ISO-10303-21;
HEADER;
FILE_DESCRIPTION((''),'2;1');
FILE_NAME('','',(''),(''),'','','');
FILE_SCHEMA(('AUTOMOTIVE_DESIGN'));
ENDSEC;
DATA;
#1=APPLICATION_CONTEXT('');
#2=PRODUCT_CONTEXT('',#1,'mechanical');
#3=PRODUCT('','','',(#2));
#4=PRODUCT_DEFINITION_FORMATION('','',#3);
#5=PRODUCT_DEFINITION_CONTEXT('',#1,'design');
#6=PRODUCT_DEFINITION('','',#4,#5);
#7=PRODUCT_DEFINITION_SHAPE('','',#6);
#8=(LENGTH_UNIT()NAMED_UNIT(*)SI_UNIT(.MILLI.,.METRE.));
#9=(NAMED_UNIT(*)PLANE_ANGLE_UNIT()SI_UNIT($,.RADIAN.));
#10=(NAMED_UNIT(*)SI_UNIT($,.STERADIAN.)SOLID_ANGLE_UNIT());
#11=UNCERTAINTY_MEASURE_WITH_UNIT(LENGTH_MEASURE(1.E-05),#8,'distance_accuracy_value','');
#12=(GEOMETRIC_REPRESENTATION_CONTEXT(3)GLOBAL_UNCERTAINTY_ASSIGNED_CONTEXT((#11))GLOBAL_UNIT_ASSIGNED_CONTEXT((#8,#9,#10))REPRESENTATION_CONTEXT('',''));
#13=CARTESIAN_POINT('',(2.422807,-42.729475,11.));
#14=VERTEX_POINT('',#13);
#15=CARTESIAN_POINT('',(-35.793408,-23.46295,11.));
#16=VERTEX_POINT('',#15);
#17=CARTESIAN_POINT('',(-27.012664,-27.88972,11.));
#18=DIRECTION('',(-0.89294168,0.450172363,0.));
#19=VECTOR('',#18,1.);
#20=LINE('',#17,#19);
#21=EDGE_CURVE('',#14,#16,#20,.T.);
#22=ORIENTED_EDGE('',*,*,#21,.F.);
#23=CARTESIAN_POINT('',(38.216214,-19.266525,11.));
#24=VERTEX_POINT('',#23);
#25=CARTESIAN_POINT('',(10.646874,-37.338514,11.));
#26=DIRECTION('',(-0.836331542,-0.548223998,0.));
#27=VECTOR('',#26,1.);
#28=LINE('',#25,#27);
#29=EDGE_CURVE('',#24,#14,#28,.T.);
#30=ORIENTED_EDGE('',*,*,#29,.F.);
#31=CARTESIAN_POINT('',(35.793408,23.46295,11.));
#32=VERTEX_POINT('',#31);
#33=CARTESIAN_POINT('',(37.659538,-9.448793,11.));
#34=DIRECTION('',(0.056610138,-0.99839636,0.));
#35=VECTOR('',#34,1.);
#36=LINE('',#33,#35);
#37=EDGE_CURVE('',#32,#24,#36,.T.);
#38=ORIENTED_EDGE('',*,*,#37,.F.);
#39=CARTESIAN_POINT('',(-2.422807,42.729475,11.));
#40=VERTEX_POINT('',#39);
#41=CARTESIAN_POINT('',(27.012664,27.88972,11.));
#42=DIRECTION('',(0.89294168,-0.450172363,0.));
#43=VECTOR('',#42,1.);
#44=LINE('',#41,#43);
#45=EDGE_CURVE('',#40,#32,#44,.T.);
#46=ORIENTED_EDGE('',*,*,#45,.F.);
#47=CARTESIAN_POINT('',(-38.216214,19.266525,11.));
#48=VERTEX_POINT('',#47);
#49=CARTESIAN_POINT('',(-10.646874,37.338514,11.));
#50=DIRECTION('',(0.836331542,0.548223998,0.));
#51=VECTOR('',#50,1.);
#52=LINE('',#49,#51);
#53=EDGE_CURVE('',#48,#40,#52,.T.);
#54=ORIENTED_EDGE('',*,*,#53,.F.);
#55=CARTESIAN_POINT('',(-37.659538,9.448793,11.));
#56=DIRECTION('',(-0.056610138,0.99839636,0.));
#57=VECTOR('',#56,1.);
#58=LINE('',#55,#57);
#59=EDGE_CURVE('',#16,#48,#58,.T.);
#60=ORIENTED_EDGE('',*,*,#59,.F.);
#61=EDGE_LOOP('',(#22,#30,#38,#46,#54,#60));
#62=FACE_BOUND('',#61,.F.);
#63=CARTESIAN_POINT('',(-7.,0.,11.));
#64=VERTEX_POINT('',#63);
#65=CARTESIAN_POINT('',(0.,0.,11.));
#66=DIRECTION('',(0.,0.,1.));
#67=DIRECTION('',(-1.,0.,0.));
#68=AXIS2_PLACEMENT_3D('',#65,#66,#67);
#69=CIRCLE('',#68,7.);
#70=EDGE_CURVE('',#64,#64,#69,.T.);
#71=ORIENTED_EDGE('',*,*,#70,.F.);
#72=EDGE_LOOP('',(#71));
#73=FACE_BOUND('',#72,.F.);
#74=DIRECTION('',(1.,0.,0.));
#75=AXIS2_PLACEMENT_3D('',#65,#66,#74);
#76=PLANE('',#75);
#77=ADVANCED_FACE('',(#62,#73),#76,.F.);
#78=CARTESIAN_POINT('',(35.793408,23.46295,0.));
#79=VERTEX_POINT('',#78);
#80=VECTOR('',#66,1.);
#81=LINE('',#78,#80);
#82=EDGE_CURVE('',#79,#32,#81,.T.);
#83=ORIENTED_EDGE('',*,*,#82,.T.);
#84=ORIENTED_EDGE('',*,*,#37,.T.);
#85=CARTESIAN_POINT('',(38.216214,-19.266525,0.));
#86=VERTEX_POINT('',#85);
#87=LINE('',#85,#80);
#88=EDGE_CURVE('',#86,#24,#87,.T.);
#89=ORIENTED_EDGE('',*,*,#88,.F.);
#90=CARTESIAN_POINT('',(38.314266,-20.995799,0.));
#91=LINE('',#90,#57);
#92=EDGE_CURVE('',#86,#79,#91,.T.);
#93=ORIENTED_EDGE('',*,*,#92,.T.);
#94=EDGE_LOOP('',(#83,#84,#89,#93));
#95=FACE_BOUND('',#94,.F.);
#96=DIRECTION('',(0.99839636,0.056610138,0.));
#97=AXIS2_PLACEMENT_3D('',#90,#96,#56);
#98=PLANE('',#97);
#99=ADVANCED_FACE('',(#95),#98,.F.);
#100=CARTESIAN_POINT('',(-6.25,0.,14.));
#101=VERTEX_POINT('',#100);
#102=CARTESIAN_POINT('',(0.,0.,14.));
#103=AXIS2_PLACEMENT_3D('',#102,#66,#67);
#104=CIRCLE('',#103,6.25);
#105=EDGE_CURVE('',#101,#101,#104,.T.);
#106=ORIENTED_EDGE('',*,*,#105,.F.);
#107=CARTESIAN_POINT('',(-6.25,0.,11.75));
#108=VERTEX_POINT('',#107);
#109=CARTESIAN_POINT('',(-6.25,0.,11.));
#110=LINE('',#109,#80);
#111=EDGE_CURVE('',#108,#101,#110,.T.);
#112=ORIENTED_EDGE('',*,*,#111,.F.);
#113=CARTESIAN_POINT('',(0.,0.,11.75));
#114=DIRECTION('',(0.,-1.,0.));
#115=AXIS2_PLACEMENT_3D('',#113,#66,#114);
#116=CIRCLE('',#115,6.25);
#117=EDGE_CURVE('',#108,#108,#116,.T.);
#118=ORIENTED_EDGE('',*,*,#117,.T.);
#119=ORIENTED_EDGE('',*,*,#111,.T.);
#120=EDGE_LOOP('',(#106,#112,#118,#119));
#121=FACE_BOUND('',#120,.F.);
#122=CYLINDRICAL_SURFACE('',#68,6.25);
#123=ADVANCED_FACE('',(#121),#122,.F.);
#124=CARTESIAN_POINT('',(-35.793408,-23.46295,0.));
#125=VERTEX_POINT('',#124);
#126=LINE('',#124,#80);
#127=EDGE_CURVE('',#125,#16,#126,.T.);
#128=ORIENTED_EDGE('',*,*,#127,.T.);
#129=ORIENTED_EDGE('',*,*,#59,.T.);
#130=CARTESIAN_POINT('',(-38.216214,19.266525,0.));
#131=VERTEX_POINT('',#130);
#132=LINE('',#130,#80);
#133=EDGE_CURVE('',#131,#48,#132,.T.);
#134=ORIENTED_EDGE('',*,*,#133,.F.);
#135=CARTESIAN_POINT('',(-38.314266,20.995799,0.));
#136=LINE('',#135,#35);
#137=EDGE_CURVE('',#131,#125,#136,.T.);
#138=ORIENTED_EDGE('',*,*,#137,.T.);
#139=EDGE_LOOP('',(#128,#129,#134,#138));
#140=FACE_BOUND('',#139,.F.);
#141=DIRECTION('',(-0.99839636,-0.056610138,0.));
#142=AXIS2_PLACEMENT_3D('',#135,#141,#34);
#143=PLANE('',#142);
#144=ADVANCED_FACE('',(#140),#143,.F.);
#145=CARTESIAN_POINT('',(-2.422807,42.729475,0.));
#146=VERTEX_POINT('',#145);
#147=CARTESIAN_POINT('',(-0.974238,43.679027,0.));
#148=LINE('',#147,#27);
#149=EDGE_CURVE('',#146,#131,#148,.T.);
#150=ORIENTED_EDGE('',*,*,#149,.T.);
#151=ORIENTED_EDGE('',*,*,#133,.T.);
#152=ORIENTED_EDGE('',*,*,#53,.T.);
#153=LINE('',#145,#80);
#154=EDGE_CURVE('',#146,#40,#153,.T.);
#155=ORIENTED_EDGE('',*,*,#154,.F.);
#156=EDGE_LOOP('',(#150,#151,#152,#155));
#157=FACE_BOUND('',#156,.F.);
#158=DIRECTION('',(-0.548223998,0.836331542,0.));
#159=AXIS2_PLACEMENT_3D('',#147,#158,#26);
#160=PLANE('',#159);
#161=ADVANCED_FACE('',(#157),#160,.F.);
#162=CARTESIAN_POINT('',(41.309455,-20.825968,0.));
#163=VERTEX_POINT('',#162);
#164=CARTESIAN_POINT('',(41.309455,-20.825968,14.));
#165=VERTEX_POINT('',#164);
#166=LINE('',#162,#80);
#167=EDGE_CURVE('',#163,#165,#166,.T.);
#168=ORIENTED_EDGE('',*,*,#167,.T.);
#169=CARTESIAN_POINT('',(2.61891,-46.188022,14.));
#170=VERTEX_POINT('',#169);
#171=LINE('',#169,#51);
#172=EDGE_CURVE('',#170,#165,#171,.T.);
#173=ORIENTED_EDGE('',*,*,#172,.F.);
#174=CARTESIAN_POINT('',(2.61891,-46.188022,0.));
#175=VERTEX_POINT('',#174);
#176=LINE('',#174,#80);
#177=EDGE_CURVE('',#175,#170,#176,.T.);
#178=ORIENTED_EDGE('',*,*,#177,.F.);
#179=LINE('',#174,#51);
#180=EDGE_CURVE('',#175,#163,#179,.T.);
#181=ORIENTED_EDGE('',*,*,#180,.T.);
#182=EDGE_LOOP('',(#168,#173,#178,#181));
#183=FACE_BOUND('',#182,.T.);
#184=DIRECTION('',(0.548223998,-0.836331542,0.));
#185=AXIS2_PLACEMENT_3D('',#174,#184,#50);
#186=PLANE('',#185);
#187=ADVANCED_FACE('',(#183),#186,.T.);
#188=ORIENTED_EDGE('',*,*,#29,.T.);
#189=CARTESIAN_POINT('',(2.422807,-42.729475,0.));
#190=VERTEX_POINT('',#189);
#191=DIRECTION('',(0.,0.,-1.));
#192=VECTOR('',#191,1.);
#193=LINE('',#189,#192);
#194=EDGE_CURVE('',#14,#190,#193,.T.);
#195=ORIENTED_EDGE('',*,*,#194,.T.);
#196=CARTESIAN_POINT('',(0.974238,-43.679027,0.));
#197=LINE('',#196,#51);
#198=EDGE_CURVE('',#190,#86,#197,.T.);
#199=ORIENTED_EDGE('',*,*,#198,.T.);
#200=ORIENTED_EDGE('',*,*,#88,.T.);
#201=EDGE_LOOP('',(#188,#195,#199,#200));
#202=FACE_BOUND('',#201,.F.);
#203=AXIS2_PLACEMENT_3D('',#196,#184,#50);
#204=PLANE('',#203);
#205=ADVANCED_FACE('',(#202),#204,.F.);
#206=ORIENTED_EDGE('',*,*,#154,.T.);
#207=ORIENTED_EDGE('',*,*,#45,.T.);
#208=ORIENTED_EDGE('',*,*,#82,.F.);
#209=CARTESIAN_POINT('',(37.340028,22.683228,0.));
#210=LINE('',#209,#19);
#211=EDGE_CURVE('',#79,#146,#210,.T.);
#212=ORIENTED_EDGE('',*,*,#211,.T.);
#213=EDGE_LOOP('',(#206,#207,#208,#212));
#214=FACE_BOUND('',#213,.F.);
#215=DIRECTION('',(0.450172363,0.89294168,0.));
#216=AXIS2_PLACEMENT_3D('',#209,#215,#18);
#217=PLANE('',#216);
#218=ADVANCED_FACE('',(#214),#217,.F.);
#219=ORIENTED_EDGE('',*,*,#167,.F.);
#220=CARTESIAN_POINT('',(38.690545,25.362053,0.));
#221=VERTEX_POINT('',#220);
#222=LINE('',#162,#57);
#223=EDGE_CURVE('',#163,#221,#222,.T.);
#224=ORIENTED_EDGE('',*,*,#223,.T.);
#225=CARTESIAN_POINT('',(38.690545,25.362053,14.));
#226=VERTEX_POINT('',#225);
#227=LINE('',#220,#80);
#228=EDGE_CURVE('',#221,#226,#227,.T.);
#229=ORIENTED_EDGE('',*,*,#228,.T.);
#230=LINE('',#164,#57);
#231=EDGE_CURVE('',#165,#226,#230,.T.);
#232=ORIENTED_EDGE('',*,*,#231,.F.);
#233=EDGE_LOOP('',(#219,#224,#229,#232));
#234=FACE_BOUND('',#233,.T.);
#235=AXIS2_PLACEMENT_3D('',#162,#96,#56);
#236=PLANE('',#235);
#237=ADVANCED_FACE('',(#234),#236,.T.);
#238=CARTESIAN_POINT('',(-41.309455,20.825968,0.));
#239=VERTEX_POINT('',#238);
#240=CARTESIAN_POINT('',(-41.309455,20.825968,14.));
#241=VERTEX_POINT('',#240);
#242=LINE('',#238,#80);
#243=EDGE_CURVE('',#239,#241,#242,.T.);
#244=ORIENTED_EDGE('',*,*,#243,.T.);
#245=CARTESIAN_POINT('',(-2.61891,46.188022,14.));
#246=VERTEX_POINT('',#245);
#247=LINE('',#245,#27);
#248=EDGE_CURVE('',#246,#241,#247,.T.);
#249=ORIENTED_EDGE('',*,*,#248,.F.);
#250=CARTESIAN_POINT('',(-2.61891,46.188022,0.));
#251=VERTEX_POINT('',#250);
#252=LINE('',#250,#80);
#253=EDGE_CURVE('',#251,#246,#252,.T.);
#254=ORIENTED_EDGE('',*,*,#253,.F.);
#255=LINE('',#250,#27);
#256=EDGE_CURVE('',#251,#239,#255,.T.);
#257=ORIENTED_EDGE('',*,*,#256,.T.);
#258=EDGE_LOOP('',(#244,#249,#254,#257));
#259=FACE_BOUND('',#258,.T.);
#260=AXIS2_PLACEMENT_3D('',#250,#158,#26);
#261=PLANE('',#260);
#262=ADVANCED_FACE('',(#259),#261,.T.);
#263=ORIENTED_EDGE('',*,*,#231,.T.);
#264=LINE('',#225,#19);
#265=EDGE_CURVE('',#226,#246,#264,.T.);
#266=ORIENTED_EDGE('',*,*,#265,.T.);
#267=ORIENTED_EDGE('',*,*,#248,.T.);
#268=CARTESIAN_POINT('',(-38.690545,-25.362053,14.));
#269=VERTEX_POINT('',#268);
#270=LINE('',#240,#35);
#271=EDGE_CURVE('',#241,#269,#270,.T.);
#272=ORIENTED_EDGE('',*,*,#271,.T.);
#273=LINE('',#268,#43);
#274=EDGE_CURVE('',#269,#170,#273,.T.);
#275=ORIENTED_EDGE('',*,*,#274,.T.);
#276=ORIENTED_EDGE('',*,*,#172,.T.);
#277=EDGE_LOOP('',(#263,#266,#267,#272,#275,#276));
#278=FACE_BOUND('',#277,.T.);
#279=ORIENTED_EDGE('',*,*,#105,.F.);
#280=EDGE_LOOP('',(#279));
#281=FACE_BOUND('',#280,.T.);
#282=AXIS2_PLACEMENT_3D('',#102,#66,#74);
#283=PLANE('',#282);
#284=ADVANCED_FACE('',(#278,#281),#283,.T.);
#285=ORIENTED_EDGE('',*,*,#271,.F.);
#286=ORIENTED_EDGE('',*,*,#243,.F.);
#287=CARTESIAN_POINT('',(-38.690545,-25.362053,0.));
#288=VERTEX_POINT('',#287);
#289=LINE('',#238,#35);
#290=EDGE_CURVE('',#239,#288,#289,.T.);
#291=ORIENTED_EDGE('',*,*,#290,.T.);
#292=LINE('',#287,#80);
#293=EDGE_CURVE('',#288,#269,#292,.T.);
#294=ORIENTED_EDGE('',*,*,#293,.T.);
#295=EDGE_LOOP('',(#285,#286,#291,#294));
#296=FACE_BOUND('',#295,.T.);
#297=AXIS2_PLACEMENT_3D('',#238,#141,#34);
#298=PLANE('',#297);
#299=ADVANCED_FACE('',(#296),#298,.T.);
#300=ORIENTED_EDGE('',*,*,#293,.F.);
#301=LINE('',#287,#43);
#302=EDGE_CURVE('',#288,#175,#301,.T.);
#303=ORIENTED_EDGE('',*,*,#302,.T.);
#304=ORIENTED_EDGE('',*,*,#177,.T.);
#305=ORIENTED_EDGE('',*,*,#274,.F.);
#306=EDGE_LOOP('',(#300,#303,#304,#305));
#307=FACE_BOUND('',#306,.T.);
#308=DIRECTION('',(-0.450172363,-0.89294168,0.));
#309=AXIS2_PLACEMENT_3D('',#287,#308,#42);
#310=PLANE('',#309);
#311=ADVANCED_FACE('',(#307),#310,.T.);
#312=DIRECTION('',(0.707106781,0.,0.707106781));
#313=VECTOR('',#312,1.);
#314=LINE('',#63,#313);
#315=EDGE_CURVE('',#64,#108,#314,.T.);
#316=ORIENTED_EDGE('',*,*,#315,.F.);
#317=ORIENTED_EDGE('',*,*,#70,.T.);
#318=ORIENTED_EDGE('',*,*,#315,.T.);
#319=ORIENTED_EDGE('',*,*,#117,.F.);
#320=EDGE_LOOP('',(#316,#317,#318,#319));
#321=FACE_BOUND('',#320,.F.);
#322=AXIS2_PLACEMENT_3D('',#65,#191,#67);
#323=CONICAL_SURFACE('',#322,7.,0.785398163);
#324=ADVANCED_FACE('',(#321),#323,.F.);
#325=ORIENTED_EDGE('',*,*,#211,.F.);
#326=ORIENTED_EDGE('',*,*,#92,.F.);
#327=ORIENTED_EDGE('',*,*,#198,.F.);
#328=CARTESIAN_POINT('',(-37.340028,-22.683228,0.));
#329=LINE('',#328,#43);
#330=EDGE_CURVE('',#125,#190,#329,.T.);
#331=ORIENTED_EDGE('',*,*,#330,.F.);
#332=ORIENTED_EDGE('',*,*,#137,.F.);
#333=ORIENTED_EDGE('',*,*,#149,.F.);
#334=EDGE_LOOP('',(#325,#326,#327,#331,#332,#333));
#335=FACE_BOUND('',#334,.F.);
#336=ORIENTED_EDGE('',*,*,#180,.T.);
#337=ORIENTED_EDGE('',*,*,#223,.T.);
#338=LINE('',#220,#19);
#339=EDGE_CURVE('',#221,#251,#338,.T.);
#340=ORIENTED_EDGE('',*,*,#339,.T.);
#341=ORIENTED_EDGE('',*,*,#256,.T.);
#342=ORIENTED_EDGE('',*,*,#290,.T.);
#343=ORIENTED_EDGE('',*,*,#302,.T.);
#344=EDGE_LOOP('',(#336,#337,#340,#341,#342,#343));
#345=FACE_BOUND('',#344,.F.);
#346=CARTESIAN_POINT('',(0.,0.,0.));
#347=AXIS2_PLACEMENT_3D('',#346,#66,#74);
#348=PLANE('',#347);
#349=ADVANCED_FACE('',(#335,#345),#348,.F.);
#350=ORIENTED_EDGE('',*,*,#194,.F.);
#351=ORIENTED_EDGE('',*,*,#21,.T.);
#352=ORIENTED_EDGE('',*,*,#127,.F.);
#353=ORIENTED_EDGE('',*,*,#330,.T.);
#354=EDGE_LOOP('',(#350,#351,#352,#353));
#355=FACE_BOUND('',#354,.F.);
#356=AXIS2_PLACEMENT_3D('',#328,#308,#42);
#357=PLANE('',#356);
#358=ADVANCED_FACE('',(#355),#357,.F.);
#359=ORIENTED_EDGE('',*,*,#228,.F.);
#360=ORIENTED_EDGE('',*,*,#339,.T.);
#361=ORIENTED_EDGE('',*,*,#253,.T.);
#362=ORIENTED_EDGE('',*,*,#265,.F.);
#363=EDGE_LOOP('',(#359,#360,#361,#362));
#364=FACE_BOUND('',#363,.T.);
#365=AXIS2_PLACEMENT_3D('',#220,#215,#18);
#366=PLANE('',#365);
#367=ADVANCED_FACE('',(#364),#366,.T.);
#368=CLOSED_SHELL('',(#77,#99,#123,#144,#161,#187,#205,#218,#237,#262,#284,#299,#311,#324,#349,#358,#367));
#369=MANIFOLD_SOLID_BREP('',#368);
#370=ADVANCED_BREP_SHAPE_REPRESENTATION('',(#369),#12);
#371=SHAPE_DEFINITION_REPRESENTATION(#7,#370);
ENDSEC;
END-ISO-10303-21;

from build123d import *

# Parameters (mm, degrees)
F4_T           = -3
F5_D           = 12.5
F5_DEPTH       = 5
F5_START       = 11
F5_CSINK_D     = 14
F5_CSINK_ANGLE = 90
F5_TIP         = 3.7553788689


with BuildPart() as f2:
    # F2: sweep along a path in F1
    with BuildLine(Plane.XZ) as f2_path:
        Line((0, 0), (0, 14))
    # F0 (on Top) → F2 (sweep)
    with BuildSketch(Plane.XY):
        Polygon((2.618910053, -46.1880215352), (41.3094550265, -20.8259681314), (38.6905449735, 25.3620534037), (-2.618910053, 46.1880215352), (-41.3094550265, 20.8259681314), (-38.6905449735, -25.3620534037), align=None)
    sweep(path=f2_path.line)

    # F4
    f4_openings = [f2.faces().sort_by_distance(p)[0] for p in [
        (0, 0, 0),
    ]]
    offset(amount=F4_T, openings=f4_openings)

    # F5
    # its depths count from where the whole tool has entered the part; down to there all is cleared
    with Locations(Plane(origin=(0, 0, 0), x_dir=(1, 0, 0), z_dir=(0, 0, -1))):
        with Locations((0, 0)):
            Hole(F5_CSINK_D / 2, depth=F5_START)
    with Locations(Plane(origin=(0, 0, 0), x_dir=(1, 0, 0), z_dir=(0, 0, -1)).offset(-F5_START)):
        with Locations((0, 0)):
            CounterSinkHole(F5_D / 2, F5_CSINK_D / 2, depth=F5_DEPTH, counter_sink_angle=F5_CSINK_ANGLE)
            with Locations((0, 0, -(F5_DEPTH + F5_TIP / 2))):  # 118° drill point
                Cone(0, F5_D / 2, F5_TIP, mode=Mode.SUBTRACT)


solid = f2.part
